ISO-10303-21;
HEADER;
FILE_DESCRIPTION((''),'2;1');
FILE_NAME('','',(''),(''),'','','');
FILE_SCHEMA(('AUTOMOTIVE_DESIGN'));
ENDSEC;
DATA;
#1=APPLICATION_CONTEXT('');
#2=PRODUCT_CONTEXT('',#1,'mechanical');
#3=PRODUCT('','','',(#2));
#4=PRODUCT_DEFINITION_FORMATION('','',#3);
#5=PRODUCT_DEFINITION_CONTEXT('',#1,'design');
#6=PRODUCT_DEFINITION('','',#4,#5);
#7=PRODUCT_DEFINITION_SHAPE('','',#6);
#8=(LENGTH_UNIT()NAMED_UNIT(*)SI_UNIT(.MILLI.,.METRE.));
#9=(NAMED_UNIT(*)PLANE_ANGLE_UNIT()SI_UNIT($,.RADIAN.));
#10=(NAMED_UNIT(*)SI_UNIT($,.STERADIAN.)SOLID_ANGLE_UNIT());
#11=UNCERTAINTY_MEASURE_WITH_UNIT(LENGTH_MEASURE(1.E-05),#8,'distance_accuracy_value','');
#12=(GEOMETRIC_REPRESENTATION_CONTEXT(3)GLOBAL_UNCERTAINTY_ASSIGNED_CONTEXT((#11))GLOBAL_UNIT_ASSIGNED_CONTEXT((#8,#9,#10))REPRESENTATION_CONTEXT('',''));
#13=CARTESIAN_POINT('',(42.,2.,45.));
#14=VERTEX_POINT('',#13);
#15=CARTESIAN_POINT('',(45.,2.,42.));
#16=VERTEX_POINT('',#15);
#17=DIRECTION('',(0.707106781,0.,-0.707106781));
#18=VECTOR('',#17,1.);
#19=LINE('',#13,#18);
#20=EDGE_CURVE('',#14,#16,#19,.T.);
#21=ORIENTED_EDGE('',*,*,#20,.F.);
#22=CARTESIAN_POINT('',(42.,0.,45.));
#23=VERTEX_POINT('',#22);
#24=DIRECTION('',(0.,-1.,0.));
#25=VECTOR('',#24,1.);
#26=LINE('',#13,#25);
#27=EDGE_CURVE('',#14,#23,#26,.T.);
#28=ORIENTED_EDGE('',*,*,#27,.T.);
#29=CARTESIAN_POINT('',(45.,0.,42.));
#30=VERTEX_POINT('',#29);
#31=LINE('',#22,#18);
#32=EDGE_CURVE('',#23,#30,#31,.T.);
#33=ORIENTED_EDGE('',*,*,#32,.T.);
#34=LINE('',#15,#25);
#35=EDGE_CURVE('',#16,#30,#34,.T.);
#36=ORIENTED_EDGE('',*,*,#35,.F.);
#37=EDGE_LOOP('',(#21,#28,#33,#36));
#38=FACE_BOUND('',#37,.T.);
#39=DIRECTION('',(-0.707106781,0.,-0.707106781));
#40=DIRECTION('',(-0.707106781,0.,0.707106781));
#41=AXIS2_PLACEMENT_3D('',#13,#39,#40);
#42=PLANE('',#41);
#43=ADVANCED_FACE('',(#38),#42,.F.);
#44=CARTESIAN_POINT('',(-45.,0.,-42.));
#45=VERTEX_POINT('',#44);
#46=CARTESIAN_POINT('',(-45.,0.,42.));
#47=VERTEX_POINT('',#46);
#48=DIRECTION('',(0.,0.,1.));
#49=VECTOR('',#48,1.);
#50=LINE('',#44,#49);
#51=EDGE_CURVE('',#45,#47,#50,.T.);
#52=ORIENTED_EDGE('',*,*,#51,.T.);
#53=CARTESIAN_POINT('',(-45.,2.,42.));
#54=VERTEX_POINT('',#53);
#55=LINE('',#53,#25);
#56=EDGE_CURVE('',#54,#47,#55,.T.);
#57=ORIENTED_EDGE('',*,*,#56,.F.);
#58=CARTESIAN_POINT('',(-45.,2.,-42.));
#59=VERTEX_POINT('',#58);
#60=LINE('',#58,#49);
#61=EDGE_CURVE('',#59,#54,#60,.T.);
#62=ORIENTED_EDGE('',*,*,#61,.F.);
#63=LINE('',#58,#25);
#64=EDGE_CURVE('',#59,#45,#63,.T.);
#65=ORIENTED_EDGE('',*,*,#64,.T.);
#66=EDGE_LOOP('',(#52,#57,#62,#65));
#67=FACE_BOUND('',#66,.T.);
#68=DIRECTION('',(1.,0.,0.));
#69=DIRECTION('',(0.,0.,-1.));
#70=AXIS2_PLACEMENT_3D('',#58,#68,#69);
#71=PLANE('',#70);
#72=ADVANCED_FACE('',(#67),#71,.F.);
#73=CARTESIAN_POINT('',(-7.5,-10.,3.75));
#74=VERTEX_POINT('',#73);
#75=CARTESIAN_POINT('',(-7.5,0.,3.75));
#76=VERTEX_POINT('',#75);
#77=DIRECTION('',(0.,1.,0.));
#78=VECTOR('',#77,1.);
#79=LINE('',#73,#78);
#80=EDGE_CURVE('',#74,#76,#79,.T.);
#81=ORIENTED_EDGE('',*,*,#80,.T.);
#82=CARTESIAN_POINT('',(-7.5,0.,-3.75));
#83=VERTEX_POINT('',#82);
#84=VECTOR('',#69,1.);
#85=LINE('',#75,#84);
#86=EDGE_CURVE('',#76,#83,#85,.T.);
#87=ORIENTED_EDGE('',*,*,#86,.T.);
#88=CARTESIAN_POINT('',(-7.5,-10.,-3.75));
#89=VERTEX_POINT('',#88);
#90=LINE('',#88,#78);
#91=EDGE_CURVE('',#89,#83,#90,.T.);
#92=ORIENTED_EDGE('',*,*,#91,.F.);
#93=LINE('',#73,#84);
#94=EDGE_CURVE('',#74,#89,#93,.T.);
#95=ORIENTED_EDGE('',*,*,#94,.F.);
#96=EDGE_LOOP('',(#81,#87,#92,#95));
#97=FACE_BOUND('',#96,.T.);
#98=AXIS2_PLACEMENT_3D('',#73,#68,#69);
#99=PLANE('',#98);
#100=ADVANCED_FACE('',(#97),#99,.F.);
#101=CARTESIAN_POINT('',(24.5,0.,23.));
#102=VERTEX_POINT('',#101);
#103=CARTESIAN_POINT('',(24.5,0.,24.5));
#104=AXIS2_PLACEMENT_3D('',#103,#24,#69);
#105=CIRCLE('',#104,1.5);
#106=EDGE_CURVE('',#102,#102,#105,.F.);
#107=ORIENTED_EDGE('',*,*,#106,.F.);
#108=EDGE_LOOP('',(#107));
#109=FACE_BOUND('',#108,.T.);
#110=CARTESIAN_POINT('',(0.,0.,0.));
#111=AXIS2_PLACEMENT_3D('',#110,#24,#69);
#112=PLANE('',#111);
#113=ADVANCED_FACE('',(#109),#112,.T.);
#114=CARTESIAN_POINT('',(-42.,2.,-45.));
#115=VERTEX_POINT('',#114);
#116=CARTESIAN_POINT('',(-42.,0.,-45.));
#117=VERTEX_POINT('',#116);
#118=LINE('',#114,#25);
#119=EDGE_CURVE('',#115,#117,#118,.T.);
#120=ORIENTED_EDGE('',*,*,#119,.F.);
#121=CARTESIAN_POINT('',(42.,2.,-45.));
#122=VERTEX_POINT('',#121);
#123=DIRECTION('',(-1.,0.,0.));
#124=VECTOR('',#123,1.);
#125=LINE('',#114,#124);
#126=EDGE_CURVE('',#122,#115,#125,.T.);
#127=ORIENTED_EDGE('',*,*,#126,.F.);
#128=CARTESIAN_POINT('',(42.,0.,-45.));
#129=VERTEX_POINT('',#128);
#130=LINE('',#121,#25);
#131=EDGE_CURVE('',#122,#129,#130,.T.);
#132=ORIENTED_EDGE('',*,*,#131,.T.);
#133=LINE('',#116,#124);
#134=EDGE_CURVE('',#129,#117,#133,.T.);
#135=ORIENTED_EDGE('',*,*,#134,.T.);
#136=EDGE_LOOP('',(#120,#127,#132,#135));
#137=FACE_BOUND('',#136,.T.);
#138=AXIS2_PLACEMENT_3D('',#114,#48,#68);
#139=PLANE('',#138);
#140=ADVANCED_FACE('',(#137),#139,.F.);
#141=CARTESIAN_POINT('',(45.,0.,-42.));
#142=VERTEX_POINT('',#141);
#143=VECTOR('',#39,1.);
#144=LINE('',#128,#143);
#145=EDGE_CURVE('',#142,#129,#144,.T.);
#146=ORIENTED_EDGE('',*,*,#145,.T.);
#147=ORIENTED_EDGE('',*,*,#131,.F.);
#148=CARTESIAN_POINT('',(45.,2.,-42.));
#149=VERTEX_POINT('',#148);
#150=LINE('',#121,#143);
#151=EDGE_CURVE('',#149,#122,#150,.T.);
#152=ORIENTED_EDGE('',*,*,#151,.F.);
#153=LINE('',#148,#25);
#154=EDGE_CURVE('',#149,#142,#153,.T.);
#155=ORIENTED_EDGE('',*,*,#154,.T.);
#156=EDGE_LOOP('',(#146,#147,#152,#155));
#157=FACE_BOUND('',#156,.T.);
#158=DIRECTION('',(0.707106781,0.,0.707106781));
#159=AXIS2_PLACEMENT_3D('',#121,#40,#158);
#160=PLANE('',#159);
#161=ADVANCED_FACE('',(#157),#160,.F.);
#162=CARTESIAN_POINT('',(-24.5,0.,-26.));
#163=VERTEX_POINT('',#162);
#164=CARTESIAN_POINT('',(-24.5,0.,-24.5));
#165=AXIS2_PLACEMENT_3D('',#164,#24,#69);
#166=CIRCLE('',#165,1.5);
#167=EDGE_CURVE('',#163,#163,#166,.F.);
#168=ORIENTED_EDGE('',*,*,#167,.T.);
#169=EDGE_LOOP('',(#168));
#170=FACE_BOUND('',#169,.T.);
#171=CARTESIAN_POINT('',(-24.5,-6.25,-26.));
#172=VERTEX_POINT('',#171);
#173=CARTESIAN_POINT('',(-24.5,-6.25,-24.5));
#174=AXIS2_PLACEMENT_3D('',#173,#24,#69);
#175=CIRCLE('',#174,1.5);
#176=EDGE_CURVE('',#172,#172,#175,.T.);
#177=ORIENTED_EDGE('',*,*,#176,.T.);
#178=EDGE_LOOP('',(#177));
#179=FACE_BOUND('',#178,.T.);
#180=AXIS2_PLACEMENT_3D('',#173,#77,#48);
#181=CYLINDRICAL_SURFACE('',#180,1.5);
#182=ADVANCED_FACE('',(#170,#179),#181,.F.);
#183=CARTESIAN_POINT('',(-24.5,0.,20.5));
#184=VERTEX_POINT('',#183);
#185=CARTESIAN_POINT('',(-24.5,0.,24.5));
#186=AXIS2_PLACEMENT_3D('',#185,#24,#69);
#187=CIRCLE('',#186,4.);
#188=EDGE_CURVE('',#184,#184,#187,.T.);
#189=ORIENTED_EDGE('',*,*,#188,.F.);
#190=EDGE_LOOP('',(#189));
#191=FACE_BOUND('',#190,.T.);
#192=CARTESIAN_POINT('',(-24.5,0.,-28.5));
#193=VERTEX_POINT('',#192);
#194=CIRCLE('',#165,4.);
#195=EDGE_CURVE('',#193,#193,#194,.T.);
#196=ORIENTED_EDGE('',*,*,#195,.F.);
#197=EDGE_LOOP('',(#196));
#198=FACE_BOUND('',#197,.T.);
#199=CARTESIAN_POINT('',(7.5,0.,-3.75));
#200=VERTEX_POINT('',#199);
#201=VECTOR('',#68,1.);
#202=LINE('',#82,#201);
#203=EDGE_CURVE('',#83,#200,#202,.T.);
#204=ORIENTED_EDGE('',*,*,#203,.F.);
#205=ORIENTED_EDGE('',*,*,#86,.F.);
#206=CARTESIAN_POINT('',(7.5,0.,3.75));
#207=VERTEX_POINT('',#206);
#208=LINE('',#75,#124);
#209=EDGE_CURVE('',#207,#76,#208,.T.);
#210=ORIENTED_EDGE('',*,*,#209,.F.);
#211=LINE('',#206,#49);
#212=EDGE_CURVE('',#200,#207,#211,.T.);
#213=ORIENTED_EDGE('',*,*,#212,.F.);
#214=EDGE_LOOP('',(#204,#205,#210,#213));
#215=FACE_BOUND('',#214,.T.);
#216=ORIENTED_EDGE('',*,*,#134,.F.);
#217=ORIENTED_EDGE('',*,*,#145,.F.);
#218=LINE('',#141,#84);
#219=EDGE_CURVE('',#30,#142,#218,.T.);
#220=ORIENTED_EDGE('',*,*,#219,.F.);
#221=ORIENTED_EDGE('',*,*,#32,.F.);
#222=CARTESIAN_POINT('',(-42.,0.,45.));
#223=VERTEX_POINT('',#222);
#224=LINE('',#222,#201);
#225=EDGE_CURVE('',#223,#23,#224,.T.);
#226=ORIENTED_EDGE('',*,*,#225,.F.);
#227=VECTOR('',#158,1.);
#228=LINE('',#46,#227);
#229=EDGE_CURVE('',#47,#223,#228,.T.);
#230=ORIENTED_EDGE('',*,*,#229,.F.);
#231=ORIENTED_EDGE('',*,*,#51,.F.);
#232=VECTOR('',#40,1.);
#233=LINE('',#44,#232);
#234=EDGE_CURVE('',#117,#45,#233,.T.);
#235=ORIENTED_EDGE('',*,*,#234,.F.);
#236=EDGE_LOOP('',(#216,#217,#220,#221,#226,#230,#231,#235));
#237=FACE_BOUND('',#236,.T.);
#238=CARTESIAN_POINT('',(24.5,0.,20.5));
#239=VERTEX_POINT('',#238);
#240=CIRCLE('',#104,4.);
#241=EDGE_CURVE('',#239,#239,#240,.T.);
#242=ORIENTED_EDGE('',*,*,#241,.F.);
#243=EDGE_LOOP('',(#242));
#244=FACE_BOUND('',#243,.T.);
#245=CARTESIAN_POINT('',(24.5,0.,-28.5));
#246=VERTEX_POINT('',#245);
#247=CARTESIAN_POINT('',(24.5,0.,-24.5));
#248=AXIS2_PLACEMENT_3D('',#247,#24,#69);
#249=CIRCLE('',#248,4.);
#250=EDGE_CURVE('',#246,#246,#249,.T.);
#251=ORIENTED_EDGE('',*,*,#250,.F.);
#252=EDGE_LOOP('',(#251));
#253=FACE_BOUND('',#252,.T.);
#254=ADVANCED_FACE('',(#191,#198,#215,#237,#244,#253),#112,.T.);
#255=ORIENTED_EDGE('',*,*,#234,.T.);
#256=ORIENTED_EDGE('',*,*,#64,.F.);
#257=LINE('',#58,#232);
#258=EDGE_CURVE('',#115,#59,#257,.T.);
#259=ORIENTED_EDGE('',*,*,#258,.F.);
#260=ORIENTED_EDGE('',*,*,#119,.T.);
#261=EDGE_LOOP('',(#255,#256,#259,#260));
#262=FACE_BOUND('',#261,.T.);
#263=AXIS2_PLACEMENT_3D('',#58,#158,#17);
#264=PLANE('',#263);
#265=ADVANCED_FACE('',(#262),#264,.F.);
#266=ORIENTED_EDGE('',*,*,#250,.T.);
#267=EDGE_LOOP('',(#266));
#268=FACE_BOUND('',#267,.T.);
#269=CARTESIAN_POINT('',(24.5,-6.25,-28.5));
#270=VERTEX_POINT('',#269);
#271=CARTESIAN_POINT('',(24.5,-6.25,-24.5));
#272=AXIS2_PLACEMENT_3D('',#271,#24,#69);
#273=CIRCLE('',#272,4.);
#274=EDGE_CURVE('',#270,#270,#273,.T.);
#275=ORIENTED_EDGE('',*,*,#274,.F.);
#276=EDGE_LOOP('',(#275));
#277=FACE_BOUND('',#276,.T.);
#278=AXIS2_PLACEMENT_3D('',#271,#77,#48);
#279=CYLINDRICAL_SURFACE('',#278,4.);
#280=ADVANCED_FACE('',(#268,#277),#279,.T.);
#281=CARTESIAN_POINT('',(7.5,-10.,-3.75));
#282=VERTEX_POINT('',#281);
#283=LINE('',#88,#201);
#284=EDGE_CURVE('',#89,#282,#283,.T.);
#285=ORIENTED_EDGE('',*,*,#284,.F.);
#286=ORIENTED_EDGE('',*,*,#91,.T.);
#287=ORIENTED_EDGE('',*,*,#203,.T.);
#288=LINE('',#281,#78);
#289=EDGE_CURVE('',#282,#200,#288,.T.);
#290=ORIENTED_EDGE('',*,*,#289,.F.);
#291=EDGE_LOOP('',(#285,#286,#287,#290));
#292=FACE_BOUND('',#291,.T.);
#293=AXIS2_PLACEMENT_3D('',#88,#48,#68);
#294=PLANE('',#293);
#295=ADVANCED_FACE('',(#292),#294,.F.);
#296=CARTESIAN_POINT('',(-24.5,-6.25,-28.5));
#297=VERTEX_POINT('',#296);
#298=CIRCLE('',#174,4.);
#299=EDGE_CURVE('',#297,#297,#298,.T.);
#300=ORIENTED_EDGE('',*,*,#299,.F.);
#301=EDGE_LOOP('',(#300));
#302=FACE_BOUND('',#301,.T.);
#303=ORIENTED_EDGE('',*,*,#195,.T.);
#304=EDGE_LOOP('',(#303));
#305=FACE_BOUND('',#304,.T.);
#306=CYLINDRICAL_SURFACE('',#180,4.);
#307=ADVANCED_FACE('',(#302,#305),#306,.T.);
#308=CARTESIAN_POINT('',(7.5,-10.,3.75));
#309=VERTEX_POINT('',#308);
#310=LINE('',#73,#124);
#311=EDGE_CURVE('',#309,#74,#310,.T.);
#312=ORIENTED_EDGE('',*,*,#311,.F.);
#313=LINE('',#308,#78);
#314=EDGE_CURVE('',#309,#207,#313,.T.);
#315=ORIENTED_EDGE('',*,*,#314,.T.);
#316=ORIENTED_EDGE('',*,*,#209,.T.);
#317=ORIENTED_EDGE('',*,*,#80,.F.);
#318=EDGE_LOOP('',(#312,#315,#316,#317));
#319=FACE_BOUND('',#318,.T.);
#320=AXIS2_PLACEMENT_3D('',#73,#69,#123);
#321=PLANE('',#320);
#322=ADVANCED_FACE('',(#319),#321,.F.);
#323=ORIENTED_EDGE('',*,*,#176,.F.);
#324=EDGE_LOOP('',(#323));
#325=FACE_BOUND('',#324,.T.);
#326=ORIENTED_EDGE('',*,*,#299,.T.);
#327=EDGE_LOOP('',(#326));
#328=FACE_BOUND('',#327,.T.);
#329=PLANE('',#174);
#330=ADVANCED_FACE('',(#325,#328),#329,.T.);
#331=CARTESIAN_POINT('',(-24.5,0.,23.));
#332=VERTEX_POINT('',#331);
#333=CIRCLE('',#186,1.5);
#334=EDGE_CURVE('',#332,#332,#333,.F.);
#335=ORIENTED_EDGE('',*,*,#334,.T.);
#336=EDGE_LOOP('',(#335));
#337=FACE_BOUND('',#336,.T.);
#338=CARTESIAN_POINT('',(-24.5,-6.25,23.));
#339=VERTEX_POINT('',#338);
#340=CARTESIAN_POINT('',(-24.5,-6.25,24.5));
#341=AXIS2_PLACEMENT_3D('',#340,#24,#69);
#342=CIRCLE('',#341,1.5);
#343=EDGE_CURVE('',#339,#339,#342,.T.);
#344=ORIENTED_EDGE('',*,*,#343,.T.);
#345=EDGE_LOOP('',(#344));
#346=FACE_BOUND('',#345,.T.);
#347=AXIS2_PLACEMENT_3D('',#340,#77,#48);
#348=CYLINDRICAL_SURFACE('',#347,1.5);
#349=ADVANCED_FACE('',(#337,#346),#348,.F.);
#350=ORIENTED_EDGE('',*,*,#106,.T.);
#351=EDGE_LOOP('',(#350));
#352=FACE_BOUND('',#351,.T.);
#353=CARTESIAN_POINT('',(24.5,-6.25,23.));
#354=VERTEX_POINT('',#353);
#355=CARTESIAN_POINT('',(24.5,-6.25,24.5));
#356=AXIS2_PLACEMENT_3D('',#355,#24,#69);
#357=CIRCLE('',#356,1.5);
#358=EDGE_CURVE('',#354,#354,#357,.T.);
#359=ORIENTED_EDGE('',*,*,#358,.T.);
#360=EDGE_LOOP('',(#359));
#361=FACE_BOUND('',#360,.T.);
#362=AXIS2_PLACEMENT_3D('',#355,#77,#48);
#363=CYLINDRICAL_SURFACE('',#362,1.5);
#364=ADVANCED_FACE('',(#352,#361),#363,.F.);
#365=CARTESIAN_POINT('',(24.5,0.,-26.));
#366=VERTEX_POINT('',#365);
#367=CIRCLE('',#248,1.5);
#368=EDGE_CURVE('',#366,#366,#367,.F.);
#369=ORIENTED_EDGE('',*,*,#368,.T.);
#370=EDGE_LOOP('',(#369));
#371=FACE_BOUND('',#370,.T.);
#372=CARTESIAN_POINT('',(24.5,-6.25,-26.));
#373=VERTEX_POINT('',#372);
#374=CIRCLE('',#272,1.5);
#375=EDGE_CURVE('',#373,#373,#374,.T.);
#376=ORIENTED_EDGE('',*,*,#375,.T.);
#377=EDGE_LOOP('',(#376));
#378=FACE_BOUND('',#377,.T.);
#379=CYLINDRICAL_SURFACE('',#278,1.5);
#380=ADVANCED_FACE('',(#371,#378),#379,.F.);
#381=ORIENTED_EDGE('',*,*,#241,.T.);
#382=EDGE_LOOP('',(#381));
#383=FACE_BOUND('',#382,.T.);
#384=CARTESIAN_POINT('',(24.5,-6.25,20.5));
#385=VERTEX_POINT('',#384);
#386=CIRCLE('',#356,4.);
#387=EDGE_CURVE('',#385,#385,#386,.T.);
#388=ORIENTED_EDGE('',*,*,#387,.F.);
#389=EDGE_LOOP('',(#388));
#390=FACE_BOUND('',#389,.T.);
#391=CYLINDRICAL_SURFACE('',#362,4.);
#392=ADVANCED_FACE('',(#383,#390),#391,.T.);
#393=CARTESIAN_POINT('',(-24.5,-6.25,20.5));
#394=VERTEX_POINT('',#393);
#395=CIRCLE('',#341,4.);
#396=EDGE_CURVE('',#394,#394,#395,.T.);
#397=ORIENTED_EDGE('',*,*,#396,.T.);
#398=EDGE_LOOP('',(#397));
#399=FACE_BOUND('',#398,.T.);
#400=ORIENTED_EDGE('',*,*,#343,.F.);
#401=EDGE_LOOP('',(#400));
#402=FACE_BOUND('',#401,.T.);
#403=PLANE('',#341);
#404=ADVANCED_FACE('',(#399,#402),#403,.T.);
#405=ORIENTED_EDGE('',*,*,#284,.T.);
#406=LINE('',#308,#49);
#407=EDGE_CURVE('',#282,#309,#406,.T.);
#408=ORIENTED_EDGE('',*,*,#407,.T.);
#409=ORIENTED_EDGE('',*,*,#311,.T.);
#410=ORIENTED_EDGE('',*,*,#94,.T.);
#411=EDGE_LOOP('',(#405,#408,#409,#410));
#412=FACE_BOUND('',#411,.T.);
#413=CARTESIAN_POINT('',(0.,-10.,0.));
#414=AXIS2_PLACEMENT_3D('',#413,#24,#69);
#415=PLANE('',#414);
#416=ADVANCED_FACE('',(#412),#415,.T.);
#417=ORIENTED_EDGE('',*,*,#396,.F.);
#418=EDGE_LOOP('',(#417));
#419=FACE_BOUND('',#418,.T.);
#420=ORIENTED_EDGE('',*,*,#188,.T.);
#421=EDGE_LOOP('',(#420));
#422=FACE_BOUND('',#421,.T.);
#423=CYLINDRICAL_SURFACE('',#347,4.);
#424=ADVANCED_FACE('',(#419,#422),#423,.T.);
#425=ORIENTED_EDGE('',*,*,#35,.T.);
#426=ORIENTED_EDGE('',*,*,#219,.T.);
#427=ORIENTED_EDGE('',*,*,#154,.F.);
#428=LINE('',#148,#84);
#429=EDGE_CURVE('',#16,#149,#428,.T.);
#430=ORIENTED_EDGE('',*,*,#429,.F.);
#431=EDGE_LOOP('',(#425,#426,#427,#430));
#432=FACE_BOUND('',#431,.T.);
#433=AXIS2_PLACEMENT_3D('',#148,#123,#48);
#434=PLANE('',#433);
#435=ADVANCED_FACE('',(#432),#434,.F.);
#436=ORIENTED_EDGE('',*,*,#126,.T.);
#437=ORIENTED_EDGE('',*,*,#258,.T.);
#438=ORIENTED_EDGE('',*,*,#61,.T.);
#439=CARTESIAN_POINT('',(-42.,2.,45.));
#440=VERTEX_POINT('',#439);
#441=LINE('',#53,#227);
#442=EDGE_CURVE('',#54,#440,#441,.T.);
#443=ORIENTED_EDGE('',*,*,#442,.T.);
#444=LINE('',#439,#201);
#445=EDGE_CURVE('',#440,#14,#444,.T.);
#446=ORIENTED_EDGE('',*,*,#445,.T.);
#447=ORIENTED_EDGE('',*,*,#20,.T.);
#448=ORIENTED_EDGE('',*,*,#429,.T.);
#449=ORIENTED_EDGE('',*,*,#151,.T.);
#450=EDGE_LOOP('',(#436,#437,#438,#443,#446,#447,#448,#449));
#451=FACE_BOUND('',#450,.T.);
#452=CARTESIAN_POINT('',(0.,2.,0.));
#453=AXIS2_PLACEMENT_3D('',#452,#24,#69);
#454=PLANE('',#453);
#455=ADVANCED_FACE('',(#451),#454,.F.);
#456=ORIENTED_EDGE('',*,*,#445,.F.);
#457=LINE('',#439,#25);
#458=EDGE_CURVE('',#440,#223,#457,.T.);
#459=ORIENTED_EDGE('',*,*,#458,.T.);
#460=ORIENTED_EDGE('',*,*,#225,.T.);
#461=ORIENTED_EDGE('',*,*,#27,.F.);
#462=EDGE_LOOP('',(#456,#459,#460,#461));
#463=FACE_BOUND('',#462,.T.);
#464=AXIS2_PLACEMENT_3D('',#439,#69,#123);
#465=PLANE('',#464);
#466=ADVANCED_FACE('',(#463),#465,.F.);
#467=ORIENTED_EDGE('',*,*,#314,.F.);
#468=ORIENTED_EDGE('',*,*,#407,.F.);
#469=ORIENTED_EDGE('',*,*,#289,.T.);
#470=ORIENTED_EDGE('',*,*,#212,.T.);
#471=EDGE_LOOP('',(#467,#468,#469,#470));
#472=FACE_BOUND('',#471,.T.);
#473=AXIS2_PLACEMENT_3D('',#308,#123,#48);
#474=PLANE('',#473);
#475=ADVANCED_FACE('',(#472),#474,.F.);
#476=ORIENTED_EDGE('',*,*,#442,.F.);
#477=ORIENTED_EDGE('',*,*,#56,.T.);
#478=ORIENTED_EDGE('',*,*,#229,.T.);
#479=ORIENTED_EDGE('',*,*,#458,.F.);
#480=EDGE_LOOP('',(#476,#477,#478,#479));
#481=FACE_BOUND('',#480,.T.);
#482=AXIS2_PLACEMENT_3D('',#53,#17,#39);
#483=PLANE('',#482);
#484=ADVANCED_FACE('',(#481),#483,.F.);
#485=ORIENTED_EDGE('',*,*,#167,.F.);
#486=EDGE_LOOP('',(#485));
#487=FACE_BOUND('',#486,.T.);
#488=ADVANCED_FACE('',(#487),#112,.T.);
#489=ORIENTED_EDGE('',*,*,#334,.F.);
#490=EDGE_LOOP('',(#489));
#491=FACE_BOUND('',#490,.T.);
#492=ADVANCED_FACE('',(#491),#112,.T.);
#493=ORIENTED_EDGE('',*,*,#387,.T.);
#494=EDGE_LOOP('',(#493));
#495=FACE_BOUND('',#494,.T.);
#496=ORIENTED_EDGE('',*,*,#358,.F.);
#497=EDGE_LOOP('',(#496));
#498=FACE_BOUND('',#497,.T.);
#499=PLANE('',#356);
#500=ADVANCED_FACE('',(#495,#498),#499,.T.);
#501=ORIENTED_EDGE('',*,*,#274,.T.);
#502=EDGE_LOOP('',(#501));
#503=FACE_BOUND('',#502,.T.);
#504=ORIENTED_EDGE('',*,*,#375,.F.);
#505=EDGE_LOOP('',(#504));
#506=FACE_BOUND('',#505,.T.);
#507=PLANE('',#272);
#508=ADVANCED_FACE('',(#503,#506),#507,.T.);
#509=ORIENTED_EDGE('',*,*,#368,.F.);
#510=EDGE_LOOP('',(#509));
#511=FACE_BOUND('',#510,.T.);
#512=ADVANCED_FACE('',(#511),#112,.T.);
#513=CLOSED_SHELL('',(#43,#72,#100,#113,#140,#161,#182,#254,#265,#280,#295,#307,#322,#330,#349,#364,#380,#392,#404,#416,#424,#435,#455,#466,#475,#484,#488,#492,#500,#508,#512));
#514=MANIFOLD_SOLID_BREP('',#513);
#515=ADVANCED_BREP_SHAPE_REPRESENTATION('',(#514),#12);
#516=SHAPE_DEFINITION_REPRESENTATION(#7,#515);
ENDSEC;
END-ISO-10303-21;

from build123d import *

# Parameters (mm, degrees)
BOSS_EXTRU_1_DEPTH = 2
ESQUISSE2_R        = 4
ESQUISSE2_R_2      = 1.5
BOSS_EXTRU_2_DEPTH = 6.25
ESQUISSE3_W        = 15
ESQUISSE3_H        = 7.5
BOSS_EXTRU_3_DEPTH = 10


with BuildPart() as part:
    # Esquisse1 → Boss.-Extru.1 (new body)
    with BuildSketch(Plane(origin=(0, 0, 0), x_dir=(1, 0, 0), z_dir=(0, 1, 0))):
        Polygon((-42, 45), (42, 45), (45, 42), (45, -42), (42, -45), (-42, -45), (-45, -42), (-45, 42), align=None)
    extrude(amount=BOSS_EXTRU_1_DEPTH)

    # Esquisse2 → Boss.-Extru.2 (add)
    # profile 1 of 4: a face of its own
    with BuildSketch(Plane.XZ):
        with Locations(Location((-24.5, 24.5, 0), (0, 0, 270))):
            Circle(ESQUISSE2_R)
        with Locations(Location((-24.5, 24.5, 0), (0, 0, 270))):
            Circle(ESQUISSE2_R_2, mode=Mode.SUBTRACT)
    # profile 2 of 4: a face of its own
    with BuildSketch(Plane.XZ):
        with Locations(Location((24.5, 24.5, 0), (0, 0, 270))):
            Circle(ESQUISSE2_R)
        with Locations(Location((24.5, 24.5, 0), (0, 0, 270))):
            Circle(ESQUISSE2_R_2, mode=Mode.SUBTRACT)
    # profile 3 of 4: a face of its own
    with BuildSketch(Plane.XZ):
        with Locations(Location((-24.5, -24.5, 0), (0, 0, 270))):
            Circle(ESQUISSE2_R)
        with Locations(Location((-24.5, -24.5, 0), (0, 0, 270))):
            Circle(ESQUISSE2_R_2, mode=Mode.SUBTRACT)
    # profile 4 of 4: a face of its own
    with BuildSketch(Plane.XZ):
        with Locations(Location((24.5, -24.5, 0), (0, 0, 270))):
            Circle(ESQUISSE2_R)
        with Locations(Location((24.5, -24.5, 0), (0, 0, 270))):
            Circle(ESQUISSE2_R_2, mode=Mode.SUBTRACT)
    extrude(amount=BOSS_EXTRU_2_DEPTH)

    # Esquisse3 → Boss.-Extru.3 (add)
    with BuildSketch(Plane.XZ):
        Rectangle(ESQUISSE3_W, ESQUISSE3_H)
    extrude(amount=BOSS_EXTRU_3_DEPTH)


solid = part.part
